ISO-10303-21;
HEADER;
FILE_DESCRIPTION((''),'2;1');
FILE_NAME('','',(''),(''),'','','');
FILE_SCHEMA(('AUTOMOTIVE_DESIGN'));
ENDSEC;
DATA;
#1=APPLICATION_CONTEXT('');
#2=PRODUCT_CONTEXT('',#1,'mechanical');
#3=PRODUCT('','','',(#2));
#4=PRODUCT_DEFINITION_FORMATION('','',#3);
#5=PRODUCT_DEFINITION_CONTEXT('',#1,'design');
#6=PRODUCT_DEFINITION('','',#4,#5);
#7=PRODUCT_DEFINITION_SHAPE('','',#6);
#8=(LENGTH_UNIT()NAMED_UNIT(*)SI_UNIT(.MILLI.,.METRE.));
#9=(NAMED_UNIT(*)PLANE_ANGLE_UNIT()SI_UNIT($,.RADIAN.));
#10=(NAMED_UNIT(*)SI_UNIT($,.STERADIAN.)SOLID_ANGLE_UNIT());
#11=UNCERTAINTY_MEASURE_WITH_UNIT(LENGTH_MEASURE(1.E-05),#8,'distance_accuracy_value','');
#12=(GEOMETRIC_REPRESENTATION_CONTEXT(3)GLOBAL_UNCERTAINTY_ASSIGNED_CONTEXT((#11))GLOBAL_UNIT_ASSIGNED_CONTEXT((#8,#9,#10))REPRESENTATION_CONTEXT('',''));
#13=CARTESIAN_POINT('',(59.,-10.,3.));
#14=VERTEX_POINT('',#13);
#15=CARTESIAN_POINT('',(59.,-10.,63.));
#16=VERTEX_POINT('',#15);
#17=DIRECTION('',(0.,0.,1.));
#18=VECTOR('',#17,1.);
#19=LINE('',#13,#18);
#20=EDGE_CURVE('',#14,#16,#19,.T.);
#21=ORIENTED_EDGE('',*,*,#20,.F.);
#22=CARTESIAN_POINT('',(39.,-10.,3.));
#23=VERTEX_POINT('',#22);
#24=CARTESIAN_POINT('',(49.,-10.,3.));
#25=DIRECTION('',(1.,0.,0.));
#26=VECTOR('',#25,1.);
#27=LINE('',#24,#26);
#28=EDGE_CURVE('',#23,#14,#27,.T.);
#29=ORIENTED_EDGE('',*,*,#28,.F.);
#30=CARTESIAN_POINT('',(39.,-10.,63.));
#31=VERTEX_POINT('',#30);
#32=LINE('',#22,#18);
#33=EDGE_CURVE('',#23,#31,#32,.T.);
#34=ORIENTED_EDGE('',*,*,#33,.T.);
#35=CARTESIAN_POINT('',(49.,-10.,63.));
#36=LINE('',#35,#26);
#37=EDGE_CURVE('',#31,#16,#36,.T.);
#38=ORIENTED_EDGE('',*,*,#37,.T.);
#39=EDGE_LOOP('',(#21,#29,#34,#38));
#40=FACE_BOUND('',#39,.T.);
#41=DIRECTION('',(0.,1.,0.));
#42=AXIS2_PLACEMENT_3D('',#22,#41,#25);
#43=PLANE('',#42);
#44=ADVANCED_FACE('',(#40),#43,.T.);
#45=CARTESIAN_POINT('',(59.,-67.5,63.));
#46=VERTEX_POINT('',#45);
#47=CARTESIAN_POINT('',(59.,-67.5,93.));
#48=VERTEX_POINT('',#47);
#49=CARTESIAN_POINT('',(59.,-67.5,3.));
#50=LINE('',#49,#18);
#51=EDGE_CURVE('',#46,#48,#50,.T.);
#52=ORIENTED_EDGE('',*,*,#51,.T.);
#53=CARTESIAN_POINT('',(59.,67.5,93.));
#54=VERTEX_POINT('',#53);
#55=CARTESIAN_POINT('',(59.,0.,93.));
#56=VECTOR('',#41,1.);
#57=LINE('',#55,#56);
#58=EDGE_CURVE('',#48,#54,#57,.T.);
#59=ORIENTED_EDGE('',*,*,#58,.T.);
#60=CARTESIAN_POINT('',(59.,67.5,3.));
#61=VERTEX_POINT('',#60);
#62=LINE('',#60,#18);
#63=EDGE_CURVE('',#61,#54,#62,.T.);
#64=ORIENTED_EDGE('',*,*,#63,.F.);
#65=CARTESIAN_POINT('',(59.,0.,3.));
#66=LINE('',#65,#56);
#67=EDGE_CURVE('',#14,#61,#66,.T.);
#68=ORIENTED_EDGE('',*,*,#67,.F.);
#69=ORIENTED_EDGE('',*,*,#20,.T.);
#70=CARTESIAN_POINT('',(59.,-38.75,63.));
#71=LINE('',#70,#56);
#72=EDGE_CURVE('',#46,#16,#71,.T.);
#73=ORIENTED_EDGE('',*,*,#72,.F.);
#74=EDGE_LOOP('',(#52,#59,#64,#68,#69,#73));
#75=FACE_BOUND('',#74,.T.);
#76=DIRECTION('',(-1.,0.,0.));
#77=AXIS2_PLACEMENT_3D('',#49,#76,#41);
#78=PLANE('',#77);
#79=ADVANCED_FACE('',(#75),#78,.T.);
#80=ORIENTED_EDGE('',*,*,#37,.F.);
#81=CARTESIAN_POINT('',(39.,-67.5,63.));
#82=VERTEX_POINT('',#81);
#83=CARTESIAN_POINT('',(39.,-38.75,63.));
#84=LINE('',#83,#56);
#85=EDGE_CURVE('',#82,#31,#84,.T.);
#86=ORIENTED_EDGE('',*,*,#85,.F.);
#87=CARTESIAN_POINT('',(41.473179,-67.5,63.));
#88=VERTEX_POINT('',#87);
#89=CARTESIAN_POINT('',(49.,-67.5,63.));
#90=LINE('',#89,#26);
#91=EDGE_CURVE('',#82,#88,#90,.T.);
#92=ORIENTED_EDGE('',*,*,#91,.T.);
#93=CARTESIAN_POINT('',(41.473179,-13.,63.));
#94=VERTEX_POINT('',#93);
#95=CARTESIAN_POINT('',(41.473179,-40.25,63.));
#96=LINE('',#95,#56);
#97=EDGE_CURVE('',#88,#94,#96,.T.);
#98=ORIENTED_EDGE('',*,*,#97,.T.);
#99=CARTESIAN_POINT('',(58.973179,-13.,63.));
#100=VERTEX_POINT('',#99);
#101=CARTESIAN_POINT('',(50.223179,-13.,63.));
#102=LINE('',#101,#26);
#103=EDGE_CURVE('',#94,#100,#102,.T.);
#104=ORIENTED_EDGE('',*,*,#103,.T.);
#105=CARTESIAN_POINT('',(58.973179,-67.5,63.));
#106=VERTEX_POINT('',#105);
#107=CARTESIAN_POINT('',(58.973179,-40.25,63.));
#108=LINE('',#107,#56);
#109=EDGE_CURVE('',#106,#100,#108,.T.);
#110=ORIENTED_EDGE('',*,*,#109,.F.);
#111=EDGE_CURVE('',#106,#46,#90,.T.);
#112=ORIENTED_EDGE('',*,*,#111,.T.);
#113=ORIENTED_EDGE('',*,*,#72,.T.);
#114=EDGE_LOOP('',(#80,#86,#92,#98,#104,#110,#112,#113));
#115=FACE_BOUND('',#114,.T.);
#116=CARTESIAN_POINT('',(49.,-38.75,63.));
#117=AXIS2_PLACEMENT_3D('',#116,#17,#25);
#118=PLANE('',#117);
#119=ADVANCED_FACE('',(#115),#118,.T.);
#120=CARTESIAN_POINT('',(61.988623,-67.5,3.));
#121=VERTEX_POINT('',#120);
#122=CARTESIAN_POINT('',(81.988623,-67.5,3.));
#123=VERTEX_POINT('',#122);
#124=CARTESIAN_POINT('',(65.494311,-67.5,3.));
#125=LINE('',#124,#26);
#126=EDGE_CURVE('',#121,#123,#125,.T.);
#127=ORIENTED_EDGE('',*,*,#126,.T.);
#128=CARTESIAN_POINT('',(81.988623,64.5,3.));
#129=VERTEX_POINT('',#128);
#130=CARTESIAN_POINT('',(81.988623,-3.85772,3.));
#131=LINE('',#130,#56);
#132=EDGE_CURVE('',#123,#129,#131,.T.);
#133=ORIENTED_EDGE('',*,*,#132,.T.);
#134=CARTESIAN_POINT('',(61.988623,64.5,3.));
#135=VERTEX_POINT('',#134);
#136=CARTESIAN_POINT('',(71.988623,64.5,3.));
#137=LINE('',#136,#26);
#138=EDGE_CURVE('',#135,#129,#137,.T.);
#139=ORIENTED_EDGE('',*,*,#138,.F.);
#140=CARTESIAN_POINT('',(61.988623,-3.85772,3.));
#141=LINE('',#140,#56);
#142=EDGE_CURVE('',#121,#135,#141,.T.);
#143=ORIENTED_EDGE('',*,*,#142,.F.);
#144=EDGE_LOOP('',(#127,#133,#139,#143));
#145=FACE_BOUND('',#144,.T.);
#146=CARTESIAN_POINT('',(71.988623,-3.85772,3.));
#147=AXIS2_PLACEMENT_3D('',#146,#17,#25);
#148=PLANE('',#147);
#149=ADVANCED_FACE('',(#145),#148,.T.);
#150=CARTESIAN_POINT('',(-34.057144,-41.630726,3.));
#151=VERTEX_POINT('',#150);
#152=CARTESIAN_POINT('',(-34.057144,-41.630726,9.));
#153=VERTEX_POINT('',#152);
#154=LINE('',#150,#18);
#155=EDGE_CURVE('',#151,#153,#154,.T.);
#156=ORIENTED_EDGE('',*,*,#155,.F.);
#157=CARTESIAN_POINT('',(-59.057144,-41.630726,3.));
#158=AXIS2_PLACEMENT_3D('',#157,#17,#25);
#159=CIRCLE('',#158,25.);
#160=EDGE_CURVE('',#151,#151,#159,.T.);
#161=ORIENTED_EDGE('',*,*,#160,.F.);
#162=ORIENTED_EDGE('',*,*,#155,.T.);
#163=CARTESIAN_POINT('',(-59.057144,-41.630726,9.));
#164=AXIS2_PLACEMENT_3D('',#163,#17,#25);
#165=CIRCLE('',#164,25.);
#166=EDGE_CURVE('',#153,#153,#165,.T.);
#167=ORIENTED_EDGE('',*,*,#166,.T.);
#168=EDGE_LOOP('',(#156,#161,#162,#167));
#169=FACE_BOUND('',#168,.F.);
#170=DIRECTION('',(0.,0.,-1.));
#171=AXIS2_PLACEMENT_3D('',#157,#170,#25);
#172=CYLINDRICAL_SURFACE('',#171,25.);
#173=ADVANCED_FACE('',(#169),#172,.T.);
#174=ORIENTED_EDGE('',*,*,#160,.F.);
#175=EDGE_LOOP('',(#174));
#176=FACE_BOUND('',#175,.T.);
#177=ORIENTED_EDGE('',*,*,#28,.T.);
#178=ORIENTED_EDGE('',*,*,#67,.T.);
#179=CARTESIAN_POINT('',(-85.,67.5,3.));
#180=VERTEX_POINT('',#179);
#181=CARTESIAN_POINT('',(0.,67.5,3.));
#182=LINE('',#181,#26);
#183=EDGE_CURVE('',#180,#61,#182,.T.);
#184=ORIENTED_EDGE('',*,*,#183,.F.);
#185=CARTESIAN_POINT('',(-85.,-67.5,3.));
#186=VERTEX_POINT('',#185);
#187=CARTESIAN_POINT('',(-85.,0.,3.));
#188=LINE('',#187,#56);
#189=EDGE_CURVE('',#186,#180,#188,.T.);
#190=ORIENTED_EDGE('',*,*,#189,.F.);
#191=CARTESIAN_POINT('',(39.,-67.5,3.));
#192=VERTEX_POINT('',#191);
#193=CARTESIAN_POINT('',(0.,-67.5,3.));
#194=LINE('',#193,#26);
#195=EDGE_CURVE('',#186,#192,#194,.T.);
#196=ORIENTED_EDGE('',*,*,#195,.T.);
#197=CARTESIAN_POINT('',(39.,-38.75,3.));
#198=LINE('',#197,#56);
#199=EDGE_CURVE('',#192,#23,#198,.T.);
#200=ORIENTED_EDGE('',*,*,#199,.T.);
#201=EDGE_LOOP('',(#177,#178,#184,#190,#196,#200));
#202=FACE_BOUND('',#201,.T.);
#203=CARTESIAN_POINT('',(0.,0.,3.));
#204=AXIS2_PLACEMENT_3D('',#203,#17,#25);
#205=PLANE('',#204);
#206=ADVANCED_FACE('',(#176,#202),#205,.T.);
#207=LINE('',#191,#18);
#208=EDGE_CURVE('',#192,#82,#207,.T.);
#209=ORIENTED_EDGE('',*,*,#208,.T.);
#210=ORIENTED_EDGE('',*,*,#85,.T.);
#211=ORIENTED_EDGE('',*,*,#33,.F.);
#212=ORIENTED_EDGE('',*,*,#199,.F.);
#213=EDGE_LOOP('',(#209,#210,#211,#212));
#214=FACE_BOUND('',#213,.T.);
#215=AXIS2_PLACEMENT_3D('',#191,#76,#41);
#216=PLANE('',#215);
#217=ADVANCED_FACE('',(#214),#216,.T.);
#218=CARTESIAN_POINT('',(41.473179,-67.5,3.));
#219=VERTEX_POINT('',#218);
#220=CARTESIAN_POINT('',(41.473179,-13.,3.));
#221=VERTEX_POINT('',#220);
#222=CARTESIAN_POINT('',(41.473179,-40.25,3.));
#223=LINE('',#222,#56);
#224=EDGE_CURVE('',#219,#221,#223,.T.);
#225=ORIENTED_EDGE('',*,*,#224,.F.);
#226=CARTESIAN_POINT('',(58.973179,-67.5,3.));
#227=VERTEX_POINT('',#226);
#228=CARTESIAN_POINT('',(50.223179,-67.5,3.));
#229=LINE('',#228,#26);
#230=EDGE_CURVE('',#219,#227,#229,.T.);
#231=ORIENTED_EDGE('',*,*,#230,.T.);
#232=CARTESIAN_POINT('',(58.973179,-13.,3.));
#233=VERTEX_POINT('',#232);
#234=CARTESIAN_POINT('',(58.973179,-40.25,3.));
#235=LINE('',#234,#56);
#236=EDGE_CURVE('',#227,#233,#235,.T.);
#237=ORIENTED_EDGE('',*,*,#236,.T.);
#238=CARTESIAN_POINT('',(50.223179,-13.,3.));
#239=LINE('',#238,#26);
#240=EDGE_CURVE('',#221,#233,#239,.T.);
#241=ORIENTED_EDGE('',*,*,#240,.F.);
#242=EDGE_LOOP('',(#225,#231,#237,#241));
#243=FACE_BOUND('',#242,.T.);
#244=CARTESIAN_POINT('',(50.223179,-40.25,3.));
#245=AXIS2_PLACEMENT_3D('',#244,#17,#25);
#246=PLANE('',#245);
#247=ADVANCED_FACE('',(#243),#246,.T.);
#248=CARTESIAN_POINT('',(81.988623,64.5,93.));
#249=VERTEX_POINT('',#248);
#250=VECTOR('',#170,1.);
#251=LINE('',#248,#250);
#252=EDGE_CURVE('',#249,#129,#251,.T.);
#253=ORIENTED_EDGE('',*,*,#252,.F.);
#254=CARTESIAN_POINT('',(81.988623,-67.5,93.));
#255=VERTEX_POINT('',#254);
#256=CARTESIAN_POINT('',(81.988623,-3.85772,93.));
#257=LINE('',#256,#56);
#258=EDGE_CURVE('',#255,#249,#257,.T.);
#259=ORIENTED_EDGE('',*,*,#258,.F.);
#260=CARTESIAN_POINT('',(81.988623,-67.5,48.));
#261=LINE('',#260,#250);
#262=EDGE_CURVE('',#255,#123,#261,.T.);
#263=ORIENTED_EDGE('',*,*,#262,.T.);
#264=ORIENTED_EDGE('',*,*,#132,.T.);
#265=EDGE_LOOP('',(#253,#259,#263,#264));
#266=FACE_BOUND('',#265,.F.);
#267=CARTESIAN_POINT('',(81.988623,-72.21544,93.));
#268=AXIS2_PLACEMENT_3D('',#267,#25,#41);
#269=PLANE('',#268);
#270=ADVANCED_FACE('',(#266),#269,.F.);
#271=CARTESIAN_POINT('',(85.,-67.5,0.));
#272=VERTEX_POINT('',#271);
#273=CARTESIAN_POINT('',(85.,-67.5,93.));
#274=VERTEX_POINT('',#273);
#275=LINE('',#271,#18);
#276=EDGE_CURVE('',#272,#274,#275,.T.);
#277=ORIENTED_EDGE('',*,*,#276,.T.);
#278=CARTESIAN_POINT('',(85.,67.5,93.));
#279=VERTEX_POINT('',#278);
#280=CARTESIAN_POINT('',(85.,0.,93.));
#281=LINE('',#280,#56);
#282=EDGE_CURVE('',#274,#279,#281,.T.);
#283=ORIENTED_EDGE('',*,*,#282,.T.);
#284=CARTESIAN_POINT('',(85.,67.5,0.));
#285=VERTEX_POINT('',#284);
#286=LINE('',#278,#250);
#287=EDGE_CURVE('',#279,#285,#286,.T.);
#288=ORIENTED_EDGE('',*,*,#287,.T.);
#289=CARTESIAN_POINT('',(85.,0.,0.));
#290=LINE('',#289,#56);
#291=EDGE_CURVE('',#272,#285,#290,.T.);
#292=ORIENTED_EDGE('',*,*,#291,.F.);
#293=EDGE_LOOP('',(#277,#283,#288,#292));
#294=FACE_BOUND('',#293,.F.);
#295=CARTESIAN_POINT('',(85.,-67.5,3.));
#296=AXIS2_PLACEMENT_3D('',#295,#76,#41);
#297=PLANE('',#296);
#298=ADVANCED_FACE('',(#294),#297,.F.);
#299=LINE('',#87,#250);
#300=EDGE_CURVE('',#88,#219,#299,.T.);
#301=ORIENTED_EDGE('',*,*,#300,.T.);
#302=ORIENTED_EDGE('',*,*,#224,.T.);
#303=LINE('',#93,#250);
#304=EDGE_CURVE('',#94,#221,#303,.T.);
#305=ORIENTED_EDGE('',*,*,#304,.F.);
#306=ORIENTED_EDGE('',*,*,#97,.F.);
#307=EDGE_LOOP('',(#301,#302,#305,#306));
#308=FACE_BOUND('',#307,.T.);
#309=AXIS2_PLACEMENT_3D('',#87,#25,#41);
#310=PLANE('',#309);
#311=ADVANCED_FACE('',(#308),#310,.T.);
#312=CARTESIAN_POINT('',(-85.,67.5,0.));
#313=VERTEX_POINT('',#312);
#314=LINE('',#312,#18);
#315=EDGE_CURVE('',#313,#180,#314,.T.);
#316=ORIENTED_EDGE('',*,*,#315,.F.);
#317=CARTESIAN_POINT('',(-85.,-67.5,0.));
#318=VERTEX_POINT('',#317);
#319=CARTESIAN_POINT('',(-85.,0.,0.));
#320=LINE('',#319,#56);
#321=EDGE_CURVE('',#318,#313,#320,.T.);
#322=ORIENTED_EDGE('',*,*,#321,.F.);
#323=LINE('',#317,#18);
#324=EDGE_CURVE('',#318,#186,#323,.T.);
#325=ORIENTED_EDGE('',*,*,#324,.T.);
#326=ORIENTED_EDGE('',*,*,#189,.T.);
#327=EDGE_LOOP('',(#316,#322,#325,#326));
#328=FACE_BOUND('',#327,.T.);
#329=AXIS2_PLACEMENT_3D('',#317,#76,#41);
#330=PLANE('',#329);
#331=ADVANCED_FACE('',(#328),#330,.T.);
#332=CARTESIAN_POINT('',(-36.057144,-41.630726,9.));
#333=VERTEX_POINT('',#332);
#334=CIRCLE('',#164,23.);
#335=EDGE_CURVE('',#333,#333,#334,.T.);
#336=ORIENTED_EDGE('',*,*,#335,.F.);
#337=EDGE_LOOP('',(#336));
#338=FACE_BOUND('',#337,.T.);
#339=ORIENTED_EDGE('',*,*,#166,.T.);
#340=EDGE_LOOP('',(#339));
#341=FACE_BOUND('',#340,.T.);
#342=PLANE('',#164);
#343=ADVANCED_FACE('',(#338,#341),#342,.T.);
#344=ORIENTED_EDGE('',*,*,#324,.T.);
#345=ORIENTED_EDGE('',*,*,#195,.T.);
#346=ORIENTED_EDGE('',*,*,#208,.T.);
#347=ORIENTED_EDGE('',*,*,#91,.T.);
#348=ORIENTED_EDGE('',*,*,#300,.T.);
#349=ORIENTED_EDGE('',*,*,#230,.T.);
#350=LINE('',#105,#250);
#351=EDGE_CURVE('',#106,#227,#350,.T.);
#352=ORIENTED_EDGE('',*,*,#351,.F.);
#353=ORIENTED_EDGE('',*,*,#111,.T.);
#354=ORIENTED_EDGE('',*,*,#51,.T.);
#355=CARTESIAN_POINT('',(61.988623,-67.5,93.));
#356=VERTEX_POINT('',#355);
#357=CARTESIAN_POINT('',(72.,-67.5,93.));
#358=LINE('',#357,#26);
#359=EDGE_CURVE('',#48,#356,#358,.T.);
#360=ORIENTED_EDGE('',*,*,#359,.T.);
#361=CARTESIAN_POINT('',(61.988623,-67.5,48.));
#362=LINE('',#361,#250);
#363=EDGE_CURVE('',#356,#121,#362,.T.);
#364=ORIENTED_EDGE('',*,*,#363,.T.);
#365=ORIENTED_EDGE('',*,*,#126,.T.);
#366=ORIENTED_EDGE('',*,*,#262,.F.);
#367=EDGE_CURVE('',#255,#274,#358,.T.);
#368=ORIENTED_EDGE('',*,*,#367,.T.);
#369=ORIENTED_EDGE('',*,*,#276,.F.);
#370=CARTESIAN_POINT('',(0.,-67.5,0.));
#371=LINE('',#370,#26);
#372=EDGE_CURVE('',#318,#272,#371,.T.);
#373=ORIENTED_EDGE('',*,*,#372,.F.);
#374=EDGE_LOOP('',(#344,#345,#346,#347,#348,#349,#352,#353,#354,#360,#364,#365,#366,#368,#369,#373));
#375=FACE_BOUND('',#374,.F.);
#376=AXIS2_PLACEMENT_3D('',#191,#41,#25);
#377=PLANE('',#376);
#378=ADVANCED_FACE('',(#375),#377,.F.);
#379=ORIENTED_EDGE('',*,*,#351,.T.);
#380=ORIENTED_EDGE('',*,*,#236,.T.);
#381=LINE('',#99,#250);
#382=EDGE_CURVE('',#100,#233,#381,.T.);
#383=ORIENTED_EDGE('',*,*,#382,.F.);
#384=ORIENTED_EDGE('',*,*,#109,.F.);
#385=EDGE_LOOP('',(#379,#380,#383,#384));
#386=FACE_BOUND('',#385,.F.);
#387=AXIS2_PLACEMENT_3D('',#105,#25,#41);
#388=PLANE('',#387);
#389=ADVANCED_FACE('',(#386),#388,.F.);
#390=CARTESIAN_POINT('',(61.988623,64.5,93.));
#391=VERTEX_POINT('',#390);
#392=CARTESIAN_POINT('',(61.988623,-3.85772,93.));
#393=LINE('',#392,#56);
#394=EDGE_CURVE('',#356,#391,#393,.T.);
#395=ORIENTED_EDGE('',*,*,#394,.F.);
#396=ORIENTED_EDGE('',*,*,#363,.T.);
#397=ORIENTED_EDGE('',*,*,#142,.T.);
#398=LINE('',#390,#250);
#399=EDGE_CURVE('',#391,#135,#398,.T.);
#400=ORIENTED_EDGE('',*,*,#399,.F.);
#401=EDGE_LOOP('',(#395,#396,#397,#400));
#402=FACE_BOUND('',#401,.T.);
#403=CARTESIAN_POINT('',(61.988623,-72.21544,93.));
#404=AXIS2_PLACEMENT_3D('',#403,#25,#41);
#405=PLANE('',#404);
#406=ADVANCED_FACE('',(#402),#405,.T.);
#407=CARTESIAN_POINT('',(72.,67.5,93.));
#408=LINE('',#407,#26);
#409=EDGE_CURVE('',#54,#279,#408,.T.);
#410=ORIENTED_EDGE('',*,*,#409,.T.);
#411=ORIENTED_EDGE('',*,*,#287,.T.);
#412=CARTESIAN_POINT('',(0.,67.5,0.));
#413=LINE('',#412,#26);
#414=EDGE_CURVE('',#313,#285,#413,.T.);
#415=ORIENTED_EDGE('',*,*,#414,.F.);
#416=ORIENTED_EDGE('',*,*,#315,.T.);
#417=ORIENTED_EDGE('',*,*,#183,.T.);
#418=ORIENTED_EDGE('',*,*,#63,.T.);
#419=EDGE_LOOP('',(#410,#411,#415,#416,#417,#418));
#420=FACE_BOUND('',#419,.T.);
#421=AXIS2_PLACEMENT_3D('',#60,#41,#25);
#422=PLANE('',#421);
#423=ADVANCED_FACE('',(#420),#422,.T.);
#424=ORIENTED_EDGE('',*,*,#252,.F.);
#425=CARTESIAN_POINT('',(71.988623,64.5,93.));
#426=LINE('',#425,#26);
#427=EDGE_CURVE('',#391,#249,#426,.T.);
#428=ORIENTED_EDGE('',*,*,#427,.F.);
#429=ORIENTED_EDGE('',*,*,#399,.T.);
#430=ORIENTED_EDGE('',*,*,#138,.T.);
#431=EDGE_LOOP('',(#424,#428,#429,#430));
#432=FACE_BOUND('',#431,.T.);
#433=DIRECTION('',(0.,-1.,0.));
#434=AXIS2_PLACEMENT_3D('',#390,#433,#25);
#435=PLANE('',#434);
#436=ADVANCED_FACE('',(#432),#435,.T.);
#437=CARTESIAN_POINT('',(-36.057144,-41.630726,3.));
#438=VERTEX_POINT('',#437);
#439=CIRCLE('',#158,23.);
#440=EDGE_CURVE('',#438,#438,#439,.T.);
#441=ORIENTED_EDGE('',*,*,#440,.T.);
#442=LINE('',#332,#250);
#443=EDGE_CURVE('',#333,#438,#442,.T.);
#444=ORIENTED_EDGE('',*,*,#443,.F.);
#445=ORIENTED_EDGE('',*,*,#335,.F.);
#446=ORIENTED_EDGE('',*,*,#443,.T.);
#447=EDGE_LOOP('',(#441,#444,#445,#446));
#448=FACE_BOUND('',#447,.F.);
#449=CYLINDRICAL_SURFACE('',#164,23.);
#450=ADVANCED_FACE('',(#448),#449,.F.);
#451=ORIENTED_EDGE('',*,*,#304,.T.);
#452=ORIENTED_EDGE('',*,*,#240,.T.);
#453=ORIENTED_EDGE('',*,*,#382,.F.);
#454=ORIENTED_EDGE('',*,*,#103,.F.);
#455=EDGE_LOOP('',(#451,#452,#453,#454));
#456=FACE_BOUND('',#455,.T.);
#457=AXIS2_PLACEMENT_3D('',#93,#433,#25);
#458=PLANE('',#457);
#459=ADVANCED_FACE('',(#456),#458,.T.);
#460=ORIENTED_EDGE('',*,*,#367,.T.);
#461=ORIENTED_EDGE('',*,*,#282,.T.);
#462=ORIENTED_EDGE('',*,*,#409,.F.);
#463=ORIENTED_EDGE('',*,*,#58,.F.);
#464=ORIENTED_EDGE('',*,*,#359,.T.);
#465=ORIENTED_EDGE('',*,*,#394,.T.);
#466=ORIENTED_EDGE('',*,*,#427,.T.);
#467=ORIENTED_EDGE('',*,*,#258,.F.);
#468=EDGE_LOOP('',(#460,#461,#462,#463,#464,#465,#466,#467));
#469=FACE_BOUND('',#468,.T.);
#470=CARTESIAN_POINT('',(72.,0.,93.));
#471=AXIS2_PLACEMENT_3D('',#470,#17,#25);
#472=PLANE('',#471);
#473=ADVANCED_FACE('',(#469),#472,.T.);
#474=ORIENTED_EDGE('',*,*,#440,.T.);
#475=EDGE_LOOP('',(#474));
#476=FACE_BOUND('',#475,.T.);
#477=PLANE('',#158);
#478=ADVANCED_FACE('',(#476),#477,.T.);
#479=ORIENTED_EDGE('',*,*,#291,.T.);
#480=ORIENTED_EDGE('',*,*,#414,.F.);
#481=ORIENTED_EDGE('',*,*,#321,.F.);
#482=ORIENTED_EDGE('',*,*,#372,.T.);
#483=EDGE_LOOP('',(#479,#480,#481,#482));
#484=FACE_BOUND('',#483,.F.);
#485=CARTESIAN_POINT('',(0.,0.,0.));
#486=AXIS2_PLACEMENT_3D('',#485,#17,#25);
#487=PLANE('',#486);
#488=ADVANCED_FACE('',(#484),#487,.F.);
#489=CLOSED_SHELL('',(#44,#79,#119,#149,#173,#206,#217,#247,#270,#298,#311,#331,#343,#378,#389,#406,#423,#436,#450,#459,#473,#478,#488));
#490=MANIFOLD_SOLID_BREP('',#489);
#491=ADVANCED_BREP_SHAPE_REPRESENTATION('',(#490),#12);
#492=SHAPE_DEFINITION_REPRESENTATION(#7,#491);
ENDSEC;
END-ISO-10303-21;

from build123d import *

# Parameters (mm, degrees)
SKETCH_W        = 170
SKETCH_H        = 135
PAD_DEPTH       = 3
SKETCH001_W     = 26
SKETCH001_H     = 135
PAD001_DEPTH    = 90
SKETCH004_W     = 20
SKETCH004_H     = 136.715439
POCKET_DEPTH    = 90
SKETCH006_W     = 20
SKETCH006_H     = 57.5
PAD002_DEPTH    = 60
SKETCH007_W     = 17.5
SKETCH007_H     = 54.5
POCKET001_DEPTH = 60
SKETCH008_R     = 25
PAD003_DEPTH    = 6
SKETCH009_R     = 23
POCKET002_DEPTH = 6


with BuildPart() as part:
    # Sketch → Pad (new body)
    with BuildSketch(Plane.XY):
        Rectangle(SKETCH_W, SKETCH_H)
    extrude(amount=PAD_DEPTH)

    # Sketch001 (on Face6 of Pad) → Pad001 (join)
    with BuildSketch(Plane.XY.offset(3)):
        with Locations((72, 0)):
            Rectangle(SKETCH001_W, SKETCH001_H)
    extrude(amount=PAD001_DEPTH)

    # Sketch004 (on Face10 of Pad001) → Pocket (cut)
    with BuildSketch(Plane.XY.offset(93)):
        with Locations((71.988623, -3.85772)):
            Rectangle(SKETCH004_W, SKETCH004_H)
    extrude(amount=-POCKET_DEPTH, mode=Mode.SUBTRACT)

    # Sketch006 (on Face5 of Pocket) → Pad002 (join)
    with BuildSketch(Plane.XY.offset(3)):
        with Locations((49, -38.75)):
            Rectangle(SKETCH006_W, SKETCH006_H)
    extrude(amount=PAD002_DEPTH)

    # Sketch007 (on Face17 of Pad002) → Pocket001 (cut)
    with BuildSketch(Plane.XY.offset(63)):
        with Locations((50.223179, -40.25)):
            Rectangle(SKETCH007_W, SKETCH007_H)
    extrude(amount=-POCKET001_DEPTH, mode=Mode.SUBTRACT)

    # Sketch008 (on Face5 of Pocket001) → Pad003 (join)
    with BuildSketch(Plane.XY.offset(3)):
        with Locations((-59.057144, -41.630726)):
            Circle(SKETCH008_R)
    extrude(amount=PAD003_DEPTH)

    # Sketch009 (on Face21 of Pad003) → Pocket002 (cut)
    with BuildSketch(Plane.XY.offset(9)):
        with Locations((-59.057144, -41.630726)):
            Circle(SKETCH009_R)
    extrude(amount=-POCKET002_DEPTH, mode=Mode.SUBTRACT)


solid = part.part
